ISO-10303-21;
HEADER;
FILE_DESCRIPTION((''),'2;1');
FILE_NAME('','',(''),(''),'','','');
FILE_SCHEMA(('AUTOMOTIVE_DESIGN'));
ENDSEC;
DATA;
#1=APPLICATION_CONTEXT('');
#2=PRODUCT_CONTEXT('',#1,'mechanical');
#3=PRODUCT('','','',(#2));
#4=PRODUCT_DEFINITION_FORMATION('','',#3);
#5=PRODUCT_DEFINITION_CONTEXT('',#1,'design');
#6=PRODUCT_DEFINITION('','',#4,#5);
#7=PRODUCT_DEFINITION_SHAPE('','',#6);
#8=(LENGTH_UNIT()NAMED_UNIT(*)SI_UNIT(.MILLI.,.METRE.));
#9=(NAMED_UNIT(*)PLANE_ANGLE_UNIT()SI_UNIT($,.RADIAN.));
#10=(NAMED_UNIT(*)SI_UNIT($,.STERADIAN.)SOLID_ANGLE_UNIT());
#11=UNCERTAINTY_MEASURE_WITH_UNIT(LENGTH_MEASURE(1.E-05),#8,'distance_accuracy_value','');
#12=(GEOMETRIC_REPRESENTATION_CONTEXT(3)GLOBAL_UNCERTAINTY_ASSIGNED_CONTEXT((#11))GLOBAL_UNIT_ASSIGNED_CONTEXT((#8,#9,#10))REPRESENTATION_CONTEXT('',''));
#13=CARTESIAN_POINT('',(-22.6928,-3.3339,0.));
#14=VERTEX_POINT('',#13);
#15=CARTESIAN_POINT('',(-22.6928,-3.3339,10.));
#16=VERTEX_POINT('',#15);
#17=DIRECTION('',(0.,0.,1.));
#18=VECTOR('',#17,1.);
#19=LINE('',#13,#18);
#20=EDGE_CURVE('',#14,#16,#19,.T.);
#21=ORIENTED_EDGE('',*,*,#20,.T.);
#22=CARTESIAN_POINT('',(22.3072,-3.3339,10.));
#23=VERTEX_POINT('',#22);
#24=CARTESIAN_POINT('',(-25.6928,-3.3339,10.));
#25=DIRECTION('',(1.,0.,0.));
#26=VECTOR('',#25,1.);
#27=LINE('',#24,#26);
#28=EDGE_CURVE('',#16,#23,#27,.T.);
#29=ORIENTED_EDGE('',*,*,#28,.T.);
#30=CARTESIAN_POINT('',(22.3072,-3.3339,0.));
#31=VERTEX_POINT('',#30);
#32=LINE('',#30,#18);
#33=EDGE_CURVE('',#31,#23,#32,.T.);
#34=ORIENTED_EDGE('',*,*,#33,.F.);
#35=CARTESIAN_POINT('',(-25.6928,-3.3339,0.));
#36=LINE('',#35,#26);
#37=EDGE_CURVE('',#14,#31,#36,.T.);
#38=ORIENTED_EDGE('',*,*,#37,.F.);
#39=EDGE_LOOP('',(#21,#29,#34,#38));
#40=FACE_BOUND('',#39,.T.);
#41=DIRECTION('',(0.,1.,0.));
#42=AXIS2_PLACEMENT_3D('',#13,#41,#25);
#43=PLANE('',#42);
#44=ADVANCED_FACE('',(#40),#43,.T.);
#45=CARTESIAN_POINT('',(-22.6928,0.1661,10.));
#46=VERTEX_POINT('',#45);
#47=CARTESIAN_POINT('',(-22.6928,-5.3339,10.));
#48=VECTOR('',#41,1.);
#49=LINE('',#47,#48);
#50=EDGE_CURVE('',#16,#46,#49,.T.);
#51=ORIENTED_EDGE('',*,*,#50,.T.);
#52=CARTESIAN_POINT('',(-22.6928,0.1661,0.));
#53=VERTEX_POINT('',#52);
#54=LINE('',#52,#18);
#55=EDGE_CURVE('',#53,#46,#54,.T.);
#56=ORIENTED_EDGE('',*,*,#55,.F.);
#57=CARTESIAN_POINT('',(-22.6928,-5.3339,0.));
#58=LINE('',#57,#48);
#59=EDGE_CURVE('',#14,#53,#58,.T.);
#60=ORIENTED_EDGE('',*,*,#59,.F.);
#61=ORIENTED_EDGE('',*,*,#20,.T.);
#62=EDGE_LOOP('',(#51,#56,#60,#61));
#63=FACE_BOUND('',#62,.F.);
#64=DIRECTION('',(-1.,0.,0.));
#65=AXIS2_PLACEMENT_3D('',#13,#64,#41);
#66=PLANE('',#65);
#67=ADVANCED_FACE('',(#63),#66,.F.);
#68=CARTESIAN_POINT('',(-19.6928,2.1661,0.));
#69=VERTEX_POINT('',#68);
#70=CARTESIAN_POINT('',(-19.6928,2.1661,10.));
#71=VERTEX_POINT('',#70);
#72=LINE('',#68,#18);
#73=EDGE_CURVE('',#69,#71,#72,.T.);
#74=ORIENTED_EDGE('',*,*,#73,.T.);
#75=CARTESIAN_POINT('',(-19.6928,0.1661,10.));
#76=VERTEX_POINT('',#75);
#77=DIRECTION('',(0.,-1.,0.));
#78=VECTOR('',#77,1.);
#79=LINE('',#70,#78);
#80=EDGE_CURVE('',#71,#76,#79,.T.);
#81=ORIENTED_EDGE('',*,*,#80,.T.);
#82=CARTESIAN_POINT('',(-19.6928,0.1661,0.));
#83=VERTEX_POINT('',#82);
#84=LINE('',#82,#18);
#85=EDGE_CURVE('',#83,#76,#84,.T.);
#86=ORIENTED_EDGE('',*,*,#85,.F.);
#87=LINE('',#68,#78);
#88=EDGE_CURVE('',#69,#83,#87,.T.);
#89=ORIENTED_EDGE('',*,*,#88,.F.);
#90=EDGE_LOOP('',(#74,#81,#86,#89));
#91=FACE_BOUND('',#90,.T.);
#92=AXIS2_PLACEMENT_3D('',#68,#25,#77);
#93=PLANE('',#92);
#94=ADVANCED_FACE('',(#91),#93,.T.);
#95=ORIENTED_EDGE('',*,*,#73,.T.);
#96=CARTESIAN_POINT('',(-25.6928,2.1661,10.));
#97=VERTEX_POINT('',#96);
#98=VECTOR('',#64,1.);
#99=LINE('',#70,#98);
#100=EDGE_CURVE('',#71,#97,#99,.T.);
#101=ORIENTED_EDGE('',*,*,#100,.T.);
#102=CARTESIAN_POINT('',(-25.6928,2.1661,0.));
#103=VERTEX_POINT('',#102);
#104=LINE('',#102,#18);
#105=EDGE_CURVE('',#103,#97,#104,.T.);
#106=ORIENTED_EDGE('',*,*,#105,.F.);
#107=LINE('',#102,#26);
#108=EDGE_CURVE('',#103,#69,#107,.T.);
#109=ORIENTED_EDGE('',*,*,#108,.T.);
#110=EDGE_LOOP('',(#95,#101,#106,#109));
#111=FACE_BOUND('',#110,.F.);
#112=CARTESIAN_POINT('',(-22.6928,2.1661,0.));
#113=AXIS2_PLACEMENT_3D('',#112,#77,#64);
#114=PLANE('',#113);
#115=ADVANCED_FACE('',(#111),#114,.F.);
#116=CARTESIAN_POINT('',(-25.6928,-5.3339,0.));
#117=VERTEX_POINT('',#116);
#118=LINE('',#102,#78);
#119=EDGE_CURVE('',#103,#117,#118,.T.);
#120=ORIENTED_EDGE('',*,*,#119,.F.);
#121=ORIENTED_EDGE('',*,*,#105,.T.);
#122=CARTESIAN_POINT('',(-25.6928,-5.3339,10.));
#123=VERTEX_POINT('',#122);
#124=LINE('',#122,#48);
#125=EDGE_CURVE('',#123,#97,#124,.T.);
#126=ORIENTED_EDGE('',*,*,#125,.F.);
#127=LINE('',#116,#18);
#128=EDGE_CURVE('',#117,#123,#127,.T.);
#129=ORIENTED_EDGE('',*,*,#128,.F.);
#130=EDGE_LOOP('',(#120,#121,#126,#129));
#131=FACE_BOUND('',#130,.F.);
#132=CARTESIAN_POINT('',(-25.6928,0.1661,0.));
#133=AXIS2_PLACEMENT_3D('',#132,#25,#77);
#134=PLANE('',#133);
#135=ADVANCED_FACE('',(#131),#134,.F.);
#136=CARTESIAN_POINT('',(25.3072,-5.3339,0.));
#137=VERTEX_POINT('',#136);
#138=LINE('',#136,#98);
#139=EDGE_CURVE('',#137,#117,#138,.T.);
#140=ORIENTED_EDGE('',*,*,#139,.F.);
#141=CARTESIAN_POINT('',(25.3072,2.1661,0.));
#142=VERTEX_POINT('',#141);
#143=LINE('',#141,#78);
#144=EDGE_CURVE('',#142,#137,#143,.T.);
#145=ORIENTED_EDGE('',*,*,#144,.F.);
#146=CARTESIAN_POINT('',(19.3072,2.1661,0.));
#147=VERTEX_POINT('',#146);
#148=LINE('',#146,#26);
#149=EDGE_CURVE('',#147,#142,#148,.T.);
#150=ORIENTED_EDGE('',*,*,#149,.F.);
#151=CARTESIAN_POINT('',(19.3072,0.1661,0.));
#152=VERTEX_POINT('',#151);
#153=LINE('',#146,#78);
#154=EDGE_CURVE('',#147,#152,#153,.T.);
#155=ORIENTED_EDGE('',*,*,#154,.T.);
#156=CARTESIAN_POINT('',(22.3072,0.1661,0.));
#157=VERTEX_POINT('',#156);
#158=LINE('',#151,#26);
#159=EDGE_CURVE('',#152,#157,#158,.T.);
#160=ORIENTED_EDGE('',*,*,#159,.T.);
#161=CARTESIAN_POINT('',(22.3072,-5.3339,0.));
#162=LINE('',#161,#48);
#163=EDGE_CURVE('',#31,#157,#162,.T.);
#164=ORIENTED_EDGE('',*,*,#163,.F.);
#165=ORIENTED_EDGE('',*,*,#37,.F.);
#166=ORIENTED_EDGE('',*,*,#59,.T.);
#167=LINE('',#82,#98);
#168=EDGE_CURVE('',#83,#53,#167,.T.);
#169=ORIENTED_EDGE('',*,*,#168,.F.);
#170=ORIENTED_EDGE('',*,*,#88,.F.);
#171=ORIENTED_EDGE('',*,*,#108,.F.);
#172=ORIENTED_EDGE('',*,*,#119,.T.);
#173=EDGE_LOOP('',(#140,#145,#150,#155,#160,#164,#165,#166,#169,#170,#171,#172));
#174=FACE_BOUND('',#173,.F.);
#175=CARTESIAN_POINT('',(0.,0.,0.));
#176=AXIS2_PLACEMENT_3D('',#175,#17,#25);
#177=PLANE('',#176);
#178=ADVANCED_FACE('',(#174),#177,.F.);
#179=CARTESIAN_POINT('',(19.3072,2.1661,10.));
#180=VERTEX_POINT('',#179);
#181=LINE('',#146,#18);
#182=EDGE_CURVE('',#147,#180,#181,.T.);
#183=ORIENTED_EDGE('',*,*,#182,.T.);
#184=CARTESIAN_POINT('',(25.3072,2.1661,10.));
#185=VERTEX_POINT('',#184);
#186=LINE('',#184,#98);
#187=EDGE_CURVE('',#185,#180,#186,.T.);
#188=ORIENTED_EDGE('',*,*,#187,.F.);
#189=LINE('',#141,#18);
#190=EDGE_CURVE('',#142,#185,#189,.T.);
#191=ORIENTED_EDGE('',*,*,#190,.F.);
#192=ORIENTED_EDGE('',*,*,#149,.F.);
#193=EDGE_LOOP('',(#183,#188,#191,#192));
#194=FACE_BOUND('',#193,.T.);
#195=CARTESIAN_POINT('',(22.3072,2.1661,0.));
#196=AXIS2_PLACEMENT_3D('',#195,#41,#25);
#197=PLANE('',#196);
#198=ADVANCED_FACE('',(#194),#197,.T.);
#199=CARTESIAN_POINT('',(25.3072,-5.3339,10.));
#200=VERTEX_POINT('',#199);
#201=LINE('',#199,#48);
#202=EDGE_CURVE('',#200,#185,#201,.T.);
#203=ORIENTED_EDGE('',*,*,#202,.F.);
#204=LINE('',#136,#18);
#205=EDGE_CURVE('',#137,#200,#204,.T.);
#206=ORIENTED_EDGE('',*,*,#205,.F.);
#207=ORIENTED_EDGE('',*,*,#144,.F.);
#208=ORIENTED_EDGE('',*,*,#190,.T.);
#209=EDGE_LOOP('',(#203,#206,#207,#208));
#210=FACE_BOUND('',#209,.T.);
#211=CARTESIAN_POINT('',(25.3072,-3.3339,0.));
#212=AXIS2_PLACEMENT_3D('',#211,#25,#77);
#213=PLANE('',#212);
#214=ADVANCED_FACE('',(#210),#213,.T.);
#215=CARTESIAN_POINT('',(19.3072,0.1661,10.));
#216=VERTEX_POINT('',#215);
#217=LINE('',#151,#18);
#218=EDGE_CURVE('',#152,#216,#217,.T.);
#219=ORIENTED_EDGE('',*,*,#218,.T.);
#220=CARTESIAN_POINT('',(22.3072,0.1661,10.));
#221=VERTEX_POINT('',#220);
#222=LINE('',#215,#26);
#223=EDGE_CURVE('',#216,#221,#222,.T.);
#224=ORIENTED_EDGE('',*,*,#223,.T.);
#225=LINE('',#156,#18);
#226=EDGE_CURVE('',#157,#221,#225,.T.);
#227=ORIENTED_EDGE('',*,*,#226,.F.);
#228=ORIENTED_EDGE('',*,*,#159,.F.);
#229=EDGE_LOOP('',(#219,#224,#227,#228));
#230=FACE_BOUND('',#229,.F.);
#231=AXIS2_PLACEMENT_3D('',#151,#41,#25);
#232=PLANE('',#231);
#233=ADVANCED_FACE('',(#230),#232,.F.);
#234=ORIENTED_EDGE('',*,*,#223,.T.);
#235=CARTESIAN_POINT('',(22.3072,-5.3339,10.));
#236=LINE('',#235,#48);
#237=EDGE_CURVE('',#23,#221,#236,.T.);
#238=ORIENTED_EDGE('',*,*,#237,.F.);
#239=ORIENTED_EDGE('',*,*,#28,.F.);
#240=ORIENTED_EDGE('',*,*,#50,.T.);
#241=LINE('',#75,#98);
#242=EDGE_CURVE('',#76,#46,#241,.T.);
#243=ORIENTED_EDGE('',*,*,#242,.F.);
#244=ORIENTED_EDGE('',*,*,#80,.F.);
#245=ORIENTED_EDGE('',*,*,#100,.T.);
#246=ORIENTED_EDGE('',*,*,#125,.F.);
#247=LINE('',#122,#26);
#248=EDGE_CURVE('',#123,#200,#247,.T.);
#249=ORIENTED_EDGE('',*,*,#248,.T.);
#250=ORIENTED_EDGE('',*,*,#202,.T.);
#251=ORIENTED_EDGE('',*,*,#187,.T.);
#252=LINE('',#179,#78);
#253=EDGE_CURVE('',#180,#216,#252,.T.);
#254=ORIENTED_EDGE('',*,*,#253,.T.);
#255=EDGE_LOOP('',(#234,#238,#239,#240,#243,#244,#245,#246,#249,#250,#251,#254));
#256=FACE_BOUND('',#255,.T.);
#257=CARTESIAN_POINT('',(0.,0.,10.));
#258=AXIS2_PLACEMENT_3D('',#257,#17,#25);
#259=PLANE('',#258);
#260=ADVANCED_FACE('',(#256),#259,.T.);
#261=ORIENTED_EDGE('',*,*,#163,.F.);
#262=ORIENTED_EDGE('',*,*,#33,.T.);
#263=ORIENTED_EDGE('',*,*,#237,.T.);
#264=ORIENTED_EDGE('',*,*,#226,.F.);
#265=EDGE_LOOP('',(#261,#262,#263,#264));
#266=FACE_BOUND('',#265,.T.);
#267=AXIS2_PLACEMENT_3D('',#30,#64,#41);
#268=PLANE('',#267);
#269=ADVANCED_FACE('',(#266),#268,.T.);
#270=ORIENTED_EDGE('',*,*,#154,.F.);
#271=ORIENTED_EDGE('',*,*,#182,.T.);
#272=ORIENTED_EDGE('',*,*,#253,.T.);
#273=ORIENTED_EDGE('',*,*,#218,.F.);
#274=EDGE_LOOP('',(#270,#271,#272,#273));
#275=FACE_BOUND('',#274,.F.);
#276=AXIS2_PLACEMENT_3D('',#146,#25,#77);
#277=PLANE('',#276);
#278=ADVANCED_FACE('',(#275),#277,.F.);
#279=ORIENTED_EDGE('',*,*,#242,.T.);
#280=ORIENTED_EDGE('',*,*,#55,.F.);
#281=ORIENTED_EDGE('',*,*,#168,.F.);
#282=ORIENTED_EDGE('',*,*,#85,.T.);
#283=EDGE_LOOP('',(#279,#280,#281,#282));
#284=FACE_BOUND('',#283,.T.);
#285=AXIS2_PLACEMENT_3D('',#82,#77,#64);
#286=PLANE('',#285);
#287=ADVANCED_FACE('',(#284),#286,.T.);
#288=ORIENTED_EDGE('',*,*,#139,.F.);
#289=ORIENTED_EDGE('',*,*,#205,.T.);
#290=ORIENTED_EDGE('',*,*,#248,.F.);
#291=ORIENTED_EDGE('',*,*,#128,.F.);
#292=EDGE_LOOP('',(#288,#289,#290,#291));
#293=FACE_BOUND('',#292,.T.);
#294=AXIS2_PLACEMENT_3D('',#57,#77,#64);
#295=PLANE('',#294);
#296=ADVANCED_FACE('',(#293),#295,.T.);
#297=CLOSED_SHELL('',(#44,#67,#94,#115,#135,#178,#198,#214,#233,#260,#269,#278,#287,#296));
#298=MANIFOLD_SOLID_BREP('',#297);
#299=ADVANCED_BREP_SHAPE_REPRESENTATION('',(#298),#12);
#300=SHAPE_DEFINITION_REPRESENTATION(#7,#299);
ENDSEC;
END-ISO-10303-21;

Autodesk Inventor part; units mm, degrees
ref_plane "YZ Plane" through (0, 0, 0) normal (1, 0, 0) x (0, 1, 0)
ref_plane "XZ Plane" through (0, 0, 0) normal (0, 1, 0) x (-1, 0, 0)
ref_plane "XY Plane" through (0, 0, 0) normal (0, 0, 1) x (1, 0, 0)
sketch "Sketch1" plane through (0, 0, 0) normal (0, 0, 1) x (1, 0, 0)
  line L0 (-25.6928, -3.3339) -> (25.3072, -3.3339)
  line L1 (25.3072, -3.3339) -> (25.3072, -5.3339)
  line L2 (25.3072, -5.3339) -> (-25.6928, -5.3339)
  line L3 (-25.6928, -5.3339) -> (-25.6928, -3.3339)
  line L4 (-25.6928, -5.3339) -> (-22.6928, -5.3339)
  line L5 (-22.6928, -5.3339) -> (-22.6928, 2.1661)
  line L6 (-22.6928, 2.1661) -> (-25.6928, 2.1661)
  line L7 (-25.6928, 2.1661) -> (-25.6928, -5.3339)
  line L8 (-25.6928, 2.1661) -> (-19.6928, 2.1661)
  line L9 (-19.6928, 2.1661) -> (-19.6928, 0.1661)
  line L10 (-19.6928, 0.1661) -> (-25.6928, 0.1661)
  line L11 (-25.6928, 0.1661) -> (-25.6928, 2.1661)
  line L12 (25.3072, -5.3339) -> (22.3072, -5.3339)
  line L13 (22.3072, -5.3339) -> (22.3072, 2.1661)
  line L14 (22.3072, 2.1661) -> (25.3072, 2.1661)
  line L15 (25.3072, 2.1661) -> (25.3072, -5.3339)
  line L16 (25.3072, 2.1661) -> (19.3072, 2.1661)
  line L17 (19.3072, 2.1661) -> (19.3072, 0.1661)
  line L18 (19.3072, 0.1661) -> (25.3072, 0.1661)
  line L19 (25.3072, 0.1661) -> (25.3072, 2.1661)
  point P0 (0, 0)
  dimension "d0" = 45
  dimension "d1" = 3.5
  dimension "d2" = 6
  dimension "d3" = 6
  dimension "d4" = 51
  dimension "d5" = 3
  dimension "d6" = 2
  dimension "d7" = 3
  dimension "d8" = 2
  dimension "d9" = 2
extrude "Extrusion1" add sketch "Sketch1" along normal blind 10
properties part number "Side Grapper"
